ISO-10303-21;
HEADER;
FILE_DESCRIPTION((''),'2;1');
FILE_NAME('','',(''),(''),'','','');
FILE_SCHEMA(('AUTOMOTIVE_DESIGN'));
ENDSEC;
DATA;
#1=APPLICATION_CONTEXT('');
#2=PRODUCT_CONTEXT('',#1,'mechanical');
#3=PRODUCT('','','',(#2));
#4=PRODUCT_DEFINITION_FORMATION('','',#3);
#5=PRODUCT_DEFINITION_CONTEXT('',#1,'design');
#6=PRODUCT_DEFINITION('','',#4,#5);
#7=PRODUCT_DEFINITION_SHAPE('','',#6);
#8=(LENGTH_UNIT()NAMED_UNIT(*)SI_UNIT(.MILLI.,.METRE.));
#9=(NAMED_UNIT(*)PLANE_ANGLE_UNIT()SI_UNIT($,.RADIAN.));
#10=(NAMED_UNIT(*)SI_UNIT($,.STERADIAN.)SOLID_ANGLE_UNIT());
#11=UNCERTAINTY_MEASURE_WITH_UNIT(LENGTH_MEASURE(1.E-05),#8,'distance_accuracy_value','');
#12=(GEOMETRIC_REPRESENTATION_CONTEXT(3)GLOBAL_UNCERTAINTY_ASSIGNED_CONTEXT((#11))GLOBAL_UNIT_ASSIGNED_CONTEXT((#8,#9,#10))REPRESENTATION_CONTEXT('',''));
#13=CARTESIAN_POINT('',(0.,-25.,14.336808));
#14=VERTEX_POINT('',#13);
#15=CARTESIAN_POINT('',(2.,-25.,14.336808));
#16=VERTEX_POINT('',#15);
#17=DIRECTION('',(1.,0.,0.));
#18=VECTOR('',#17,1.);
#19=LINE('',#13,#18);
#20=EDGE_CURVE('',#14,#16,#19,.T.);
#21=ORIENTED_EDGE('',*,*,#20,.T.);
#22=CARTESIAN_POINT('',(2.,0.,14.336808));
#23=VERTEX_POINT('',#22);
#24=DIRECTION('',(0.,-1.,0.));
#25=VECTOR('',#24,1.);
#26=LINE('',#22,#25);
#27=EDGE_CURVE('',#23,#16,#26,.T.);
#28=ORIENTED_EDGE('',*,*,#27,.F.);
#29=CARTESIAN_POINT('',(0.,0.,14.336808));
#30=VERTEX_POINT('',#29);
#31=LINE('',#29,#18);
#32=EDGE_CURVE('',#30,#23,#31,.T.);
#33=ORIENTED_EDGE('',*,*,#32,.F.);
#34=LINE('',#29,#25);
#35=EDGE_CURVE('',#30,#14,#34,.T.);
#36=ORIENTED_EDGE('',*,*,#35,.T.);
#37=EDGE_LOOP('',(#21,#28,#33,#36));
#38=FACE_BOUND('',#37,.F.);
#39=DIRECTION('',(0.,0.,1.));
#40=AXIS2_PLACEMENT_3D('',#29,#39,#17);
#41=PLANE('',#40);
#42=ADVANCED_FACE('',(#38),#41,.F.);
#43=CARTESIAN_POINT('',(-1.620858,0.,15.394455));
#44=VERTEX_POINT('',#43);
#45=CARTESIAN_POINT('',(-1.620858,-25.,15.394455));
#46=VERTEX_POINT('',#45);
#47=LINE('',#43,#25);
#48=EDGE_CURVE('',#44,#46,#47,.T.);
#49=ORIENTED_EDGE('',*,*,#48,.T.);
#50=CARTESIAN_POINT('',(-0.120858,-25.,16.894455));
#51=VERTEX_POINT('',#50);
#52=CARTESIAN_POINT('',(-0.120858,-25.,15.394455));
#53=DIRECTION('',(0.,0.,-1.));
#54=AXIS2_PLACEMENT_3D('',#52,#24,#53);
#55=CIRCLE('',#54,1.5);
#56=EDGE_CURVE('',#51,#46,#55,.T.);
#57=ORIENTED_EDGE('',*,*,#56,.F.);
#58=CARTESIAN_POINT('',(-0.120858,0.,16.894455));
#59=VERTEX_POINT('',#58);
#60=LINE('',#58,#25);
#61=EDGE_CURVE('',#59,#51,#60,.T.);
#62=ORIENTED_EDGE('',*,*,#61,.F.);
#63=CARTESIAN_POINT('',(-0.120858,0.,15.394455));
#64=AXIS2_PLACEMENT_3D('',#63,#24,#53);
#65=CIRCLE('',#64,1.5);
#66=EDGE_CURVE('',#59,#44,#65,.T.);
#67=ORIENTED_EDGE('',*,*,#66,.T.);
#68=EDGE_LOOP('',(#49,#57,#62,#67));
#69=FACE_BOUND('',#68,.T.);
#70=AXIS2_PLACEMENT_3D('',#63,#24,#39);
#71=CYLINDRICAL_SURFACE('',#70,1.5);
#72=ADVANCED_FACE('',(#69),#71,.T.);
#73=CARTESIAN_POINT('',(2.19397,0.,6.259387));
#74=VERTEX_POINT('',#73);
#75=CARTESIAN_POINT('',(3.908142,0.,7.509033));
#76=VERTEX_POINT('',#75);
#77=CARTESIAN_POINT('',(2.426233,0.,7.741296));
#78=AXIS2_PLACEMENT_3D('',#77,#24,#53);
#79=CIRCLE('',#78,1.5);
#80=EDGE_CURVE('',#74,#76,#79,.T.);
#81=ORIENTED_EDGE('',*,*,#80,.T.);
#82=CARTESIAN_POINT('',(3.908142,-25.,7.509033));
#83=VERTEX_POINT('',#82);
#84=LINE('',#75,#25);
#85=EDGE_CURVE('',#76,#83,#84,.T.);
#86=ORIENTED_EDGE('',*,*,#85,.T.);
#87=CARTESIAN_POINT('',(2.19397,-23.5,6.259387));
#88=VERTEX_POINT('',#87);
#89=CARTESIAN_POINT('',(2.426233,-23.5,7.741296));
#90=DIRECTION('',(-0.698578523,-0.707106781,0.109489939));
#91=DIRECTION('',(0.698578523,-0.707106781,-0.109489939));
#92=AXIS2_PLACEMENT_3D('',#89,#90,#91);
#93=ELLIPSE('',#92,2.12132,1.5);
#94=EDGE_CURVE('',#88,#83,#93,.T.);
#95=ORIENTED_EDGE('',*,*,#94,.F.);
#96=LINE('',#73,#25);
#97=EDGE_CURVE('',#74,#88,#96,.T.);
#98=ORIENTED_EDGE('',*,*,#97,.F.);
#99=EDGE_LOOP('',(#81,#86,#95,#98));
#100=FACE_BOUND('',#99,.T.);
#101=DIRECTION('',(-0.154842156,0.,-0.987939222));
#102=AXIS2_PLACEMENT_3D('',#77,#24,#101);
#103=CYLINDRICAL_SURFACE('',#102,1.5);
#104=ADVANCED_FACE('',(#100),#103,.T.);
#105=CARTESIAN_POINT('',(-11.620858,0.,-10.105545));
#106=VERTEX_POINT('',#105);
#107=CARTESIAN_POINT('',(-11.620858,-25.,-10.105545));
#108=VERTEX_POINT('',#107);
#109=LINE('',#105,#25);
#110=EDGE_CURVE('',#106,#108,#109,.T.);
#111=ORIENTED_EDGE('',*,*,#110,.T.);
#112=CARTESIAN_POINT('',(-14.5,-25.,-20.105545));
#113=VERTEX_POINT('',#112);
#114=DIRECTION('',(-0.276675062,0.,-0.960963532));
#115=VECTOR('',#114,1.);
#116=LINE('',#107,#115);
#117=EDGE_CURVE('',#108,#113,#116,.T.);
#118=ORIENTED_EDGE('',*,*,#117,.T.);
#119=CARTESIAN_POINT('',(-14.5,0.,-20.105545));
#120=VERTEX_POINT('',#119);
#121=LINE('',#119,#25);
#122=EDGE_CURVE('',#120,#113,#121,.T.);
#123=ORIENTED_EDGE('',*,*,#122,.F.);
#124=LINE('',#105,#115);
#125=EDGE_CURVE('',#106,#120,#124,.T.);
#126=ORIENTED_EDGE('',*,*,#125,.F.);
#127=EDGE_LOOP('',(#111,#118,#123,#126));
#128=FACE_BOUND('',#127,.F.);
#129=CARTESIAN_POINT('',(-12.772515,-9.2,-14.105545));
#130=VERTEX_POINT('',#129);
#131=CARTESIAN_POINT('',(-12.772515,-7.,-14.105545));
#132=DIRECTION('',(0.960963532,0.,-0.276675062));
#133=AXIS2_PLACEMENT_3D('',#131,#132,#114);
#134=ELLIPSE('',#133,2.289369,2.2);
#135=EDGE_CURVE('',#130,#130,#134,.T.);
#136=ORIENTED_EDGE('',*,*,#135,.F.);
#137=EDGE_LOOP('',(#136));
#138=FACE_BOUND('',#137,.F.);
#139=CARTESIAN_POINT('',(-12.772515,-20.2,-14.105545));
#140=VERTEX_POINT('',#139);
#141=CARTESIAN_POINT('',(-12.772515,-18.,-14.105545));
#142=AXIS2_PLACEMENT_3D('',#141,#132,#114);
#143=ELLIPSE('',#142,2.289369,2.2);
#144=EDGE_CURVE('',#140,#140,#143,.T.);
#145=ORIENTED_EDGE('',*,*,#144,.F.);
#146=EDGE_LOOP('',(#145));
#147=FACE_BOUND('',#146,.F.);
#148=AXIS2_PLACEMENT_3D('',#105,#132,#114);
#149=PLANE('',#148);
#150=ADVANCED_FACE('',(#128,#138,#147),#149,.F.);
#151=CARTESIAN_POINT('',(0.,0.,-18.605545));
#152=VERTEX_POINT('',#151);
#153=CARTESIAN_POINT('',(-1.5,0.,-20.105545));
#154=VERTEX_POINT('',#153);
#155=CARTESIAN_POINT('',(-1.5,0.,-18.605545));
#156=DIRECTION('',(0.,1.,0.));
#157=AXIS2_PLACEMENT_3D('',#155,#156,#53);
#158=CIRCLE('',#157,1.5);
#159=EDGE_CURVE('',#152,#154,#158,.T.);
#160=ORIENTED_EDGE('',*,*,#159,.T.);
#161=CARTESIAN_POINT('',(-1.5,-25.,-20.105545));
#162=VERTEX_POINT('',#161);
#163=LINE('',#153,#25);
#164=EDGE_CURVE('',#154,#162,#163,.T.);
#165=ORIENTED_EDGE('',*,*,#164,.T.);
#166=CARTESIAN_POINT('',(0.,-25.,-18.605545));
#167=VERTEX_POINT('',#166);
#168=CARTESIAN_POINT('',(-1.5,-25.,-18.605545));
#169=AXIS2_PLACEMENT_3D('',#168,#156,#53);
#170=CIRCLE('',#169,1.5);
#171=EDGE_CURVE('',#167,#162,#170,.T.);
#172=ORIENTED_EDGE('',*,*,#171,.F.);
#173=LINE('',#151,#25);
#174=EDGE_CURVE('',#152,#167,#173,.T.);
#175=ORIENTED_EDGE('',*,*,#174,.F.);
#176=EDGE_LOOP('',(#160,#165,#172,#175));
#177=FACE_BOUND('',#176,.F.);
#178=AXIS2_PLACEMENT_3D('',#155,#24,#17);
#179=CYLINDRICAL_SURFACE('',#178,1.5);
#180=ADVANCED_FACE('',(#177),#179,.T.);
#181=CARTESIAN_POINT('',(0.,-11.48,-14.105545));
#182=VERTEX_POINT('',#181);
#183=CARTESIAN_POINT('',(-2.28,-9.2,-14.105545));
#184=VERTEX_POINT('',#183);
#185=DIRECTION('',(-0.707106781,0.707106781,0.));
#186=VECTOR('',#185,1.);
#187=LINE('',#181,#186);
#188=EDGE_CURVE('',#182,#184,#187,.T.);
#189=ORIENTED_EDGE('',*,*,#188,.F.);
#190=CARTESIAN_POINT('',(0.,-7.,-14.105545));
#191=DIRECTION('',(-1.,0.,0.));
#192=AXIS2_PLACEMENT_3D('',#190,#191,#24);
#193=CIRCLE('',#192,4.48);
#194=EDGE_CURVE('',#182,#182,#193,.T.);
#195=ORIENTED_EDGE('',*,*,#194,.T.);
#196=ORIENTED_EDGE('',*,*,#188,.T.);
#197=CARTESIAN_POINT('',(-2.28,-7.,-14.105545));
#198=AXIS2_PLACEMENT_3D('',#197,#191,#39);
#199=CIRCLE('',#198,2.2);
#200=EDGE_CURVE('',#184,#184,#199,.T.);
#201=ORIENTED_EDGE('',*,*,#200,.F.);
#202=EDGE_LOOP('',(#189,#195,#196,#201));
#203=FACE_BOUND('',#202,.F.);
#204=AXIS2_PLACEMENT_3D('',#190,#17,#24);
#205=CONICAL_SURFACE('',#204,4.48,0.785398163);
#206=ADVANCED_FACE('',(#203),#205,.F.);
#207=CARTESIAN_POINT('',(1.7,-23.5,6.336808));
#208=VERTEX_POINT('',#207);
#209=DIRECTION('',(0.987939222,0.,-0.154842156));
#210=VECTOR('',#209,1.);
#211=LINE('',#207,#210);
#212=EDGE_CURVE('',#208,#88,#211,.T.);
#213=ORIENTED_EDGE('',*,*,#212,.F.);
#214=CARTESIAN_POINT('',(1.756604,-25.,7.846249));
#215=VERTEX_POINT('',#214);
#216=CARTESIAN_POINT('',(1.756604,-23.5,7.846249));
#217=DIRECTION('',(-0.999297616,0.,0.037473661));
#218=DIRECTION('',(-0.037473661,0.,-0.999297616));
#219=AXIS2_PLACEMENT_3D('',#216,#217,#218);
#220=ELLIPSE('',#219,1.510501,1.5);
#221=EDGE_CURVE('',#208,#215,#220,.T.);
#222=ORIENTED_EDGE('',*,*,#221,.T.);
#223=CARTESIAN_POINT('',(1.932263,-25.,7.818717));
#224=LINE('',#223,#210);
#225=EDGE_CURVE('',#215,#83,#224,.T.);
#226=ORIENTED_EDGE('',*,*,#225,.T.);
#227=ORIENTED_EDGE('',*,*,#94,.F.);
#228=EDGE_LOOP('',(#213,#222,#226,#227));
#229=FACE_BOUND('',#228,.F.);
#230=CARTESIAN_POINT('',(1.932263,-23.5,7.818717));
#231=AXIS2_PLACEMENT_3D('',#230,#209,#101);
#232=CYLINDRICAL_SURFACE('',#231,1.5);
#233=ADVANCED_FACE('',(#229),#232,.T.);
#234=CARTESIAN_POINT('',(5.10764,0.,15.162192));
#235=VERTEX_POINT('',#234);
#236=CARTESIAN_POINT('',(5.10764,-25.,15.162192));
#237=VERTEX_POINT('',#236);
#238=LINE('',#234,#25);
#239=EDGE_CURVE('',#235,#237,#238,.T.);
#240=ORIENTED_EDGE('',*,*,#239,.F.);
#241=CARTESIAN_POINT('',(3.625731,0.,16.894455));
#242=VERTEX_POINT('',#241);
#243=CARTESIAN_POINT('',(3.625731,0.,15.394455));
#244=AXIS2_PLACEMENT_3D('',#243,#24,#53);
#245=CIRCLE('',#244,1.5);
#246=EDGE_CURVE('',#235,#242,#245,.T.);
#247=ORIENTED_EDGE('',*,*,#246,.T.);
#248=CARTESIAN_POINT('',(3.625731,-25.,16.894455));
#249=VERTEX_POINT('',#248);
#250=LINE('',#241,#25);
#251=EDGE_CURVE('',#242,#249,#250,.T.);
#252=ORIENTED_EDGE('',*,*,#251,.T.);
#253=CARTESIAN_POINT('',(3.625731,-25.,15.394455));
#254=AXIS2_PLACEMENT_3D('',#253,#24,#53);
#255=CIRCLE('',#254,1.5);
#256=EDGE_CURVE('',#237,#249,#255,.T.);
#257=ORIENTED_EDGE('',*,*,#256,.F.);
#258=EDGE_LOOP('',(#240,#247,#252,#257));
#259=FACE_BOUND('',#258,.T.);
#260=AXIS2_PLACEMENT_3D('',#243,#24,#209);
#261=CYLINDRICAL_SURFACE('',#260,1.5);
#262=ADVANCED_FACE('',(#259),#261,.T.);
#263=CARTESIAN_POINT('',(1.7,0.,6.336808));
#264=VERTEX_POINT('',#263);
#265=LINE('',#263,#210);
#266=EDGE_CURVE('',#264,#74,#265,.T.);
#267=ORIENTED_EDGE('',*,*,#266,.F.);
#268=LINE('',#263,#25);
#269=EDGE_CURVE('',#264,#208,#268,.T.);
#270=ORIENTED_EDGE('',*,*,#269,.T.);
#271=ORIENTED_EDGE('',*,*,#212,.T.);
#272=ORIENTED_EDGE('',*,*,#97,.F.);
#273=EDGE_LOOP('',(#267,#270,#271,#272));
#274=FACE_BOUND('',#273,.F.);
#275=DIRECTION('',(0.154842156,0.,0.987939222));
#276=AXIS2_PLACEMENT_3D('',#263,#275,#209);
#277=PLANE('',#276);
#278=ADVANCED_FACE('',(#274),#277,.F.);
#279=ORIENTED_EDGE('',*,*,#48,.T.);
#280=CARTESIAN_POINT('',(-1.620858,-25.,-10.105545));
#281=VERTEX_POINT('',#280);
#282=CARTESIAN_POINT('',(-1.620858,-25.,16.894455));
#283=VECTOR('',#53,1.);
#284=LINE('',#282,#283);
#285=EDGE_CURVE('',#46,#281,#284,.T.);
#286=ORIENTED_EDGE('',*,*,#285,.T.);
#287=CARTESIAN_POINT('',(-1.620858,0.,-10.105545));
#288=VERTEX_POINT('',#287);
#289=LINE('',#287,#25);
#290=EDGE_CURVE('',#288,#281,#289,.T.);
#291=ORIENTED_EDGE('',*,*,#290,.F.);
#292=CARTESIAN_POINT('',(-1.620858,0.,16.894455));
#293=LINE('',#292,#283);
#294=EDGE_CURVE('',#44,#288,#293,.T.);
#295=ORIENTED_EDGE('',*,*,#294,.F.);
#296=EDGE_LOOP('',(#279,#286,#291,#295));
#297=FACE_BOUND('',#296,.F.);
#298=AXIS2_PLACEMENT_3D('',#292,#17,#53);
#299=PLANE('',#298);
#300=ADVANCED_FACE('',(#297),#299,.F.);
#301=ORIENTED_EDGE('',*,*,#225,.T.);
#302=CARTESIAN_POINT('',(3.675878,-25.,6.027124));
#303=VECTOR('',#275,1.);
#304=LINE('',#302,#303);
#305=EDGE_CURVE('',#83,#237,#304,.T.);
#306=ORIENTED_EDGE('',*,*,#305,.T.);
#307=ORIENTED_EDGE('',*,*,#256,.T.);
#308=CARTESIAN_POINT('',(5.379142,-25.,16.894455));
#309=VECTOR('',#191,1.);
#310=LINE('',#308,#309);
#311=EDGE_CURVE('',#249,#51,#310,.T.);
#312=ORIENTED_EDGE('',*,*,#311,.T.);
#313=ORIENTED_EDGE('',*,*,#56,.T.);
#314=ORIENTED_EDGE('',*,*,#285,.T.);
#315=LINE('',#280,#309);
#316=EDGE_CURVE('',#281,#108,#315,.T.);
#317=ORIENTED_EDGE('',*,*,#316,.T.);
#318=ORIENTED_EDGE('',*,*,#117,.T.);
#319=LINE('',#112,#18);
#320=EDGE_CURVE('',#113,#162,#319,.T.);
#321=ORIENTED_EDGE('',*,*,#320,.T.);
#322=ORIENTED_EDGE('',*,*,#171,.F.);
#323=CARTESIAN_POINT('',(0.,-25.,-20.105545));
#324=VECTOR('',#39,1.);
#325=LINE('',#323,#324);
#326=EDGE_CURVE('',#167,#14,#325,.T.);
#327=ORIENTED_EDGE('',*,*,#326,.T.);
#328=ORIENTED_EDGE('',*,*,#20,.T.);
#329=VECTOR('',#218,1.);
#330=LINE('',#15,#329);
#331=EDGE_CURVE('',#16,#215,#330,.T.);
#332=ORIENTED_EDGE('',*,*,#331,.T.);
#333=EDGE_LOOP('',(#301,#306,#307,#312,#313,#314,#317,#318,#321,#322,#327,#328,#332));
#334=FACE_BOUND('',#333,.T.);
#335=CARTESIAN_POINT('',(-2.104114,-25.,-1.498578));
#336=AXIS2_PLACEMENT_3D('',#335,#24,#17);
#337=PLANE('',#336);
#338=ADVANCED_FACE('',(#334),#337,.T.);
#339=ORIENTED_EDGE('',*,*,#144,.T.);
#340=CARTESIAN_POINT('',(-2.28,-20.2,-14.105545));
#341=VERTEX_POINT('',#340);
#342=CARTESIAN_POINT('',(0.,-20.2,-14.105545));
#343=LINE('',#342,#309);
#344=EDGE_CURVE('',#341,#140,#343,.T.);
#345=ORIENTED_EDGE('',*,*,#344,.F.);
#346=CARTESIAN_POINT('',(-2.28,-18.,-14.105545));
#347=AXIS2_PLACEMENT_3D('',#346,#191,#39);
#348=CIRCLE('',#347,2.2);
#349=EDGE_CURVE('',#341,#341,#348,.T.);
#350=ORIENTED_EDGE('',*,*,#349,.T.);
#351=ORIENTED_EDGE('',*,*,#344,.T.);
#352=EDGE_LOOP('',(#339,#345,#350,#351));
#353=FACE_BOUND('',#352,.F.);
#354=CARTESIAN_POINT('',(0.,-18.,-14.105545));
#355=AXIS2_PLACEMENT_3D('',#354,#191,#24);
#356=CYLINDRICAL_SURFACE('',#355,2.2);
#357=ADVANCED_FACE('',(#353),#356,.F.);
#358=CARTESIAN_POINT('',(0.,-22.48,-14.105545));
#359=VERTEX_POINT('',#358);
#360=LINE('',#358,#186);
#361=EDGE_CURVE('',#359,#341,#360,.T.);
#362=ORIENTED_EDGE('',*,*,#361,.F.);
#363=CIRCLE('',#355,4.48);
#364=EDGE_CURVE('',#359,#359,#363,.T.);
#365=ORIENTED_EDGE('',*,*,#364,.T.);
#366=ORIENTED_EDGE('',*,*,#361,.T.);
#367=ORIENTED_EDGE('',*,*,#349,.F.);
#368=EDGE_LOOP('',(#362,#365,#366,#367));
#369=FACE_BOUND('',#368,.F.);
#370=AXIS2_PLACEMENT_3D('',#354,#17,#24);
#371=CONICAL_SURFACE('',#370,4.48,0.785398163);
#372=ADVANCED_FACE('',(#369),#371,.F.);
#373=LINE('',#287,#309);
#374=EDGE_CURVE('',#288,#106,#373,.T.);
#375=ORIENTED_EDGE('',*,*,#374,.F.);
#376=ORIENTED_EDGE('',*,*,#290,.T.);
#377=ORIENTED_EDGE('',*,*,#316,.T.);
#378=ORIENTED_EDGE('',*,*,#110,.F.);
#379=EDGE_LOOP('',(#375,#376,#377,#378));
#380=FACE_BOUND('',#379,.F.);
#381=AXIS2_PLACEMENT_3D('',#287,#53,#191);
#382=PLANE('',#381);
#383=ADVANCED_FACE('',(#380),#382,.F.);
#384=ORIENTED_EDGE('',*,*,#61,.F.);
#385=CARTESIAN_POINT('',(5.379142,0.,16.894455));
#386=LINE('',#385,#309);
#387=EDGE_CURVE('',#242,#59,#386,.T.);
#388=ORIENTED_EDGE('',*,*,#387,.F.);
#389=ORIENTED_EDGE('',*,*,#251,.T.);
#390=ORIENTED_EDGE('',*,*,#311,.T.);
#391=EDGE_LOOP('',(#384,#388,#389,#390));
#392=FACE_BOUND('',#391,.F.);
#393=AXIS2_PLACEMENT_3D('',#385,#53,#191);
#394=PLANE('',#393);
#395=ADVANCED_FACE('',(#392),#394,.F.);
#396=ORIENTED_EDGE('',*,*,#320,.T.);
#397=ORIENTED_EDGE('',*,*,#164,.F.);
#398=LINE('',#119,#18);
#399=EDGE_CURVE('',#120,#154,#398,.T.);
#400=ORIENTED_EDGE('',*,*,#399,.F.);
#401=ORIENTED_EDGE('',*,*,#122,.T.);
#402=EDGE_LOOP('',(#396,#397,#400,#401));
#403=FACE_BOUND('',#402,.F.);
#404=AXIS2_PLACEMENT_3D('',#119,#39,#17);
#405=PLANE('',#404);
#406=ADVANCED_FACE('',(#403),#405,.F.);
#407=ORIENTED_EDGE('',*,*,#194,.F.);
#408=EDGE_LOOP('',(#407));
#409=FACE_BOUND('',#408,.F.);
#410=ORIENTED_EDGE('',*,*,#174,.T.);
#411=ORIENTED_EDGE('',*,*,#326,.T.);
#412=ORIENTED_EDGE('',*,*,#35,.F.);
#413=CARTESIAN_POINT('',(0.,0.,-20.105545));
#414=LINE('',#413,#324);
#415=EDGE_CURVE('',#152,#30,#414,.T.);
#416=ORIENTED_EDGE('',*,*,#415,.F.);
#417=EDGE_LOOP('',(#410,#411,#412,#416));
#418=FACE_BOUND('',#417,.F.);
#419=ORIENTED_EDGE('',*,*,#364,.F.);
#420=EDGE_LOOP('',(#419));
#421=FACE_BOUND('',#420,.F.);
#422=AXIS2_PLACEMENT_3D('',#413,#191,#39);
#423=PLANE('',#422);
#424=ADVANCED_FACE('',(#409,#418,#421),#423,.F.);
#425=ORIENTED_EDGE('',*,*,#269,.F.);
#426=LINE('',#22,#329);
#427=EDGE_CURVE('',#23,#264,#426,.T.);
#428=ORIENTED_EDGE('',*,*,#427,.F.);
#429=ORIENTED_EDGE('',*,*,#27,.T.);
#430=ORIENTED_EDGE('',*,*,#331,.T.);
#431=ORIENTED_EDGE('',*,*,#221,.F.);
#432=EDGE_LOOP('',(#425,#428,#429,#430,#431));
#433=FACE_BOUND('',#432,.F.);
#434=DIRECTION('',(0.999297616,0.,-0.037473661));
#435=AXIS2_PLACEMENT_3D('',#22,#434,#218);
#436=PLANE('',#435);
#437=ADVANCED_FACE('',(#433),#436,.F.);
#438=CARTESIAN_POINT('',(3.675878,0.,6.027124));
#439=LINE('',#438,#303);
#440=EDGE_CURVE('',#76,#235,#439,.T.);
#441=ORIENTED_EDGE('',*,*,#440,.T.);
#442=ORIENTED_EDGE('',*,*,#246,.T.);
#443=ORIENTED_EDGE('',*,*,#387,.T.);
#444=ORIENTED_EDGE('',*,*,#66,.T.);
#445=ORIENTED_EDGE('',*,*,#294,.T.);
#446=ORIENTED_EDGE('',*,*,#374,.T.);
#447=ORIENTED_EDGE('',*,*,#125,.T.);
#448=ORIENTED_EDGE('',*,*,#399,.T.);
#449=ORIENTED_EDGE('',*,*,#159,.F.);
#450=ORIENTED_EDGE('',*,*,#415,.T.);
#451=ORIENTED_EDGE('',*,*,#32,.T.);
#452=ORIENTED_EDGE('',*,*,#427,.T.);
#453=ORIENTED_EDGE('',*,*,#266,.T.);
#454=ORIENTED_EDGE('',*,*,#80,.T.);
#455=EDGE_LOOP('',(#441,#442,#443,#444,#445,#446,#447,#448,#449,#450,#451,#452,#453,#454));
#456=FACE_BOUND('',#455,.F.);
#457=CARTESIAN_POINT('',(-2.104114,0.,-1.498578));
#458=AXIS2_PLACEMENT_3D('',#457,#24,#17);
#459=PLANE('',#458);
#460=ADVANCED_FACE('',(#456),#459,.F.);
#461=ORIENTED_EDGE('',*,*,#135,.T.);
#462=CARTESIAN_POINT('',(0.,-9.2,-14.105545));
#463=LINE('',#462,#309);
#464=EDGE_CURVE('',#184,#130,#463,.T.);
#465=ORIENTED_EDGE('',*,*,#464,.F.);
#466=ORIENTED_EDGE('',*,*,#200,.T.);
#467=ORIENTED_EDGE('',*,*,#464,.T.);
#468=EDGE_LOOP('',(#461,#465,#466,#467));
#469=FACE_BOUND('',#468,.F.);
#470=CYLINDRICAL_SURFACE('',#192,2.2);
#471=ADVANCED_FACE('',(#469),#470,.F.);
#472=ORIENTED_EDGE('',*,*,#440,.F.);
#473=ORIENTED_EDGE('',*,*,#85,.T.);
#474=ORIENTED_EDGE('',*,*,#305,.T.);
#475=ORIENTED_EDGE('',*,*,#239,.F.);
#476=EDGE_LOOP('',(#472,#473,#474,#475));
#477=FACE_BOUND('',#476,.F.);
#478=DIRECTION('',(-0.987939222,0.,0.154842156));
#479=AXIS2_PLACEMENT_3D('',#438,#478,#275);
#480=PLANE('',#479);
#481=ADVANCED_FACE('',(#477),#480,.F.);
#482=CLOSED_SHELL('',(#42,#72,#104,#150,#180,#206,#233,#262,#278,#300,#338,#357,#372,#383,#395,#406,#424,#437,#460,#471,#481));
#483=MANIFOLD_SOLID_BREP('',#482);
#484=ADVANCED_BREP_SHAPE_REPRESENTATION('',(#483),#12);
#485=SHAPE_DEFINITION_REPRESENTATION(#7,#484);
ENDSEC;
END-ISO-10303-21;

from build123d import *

# Parameters (mm, degrees)
F1_DEPTH       = 25
F2_R           = 1.5
F4_D           = 4.4
F4_CSINK_D     = 8.96
F4_CSINK_ANGLE = 90


with BuildPart() as f1:
    # F0 (on Front) → F1 (new body)
    with BuildSketch(Plane.XZ):
        Polygon((0, -20.1055445863), (0, -13.0393103669), (0, 14.3368082835), (2, 14.3368082835), (1.7, 6.3368082835), (3.6758784442, 6.0271239706), (5.3791421656, 16.8944554137), (-1.6208578344, 16.8944554137), (-1.6208578344, -10.1055445863), (-11.6208578344, -10.1055445863), (-14.5, -20.1055445863), align=None)
    extrude(amount=F1_DEPTH)

    # F2
    f2_edges = [f1.edges().sort_by_distance(p)[0] for p in [
        (-1.620858, -12.5, 16.894455),
        (5.379142, -12.5, 16.894455),
        (0, -12.5, -20.105545),
        (2.687939, -25, 6.181966),
        (3.675878, -12.5, 6.027124),
    ]]
    fillet(f2_edges, radius=F2_R)

    # F4 (through all)
    with Locations(Plane.YZ):
        with Locations((-7, -14.1055445863), (-18, -14.1055445863)):
            CounterSinkHole(F4_D / 2, F4_CSINK_D / 2, counter_sink_angle=F4_CSINK_ANGLE)


solid = f1.part
